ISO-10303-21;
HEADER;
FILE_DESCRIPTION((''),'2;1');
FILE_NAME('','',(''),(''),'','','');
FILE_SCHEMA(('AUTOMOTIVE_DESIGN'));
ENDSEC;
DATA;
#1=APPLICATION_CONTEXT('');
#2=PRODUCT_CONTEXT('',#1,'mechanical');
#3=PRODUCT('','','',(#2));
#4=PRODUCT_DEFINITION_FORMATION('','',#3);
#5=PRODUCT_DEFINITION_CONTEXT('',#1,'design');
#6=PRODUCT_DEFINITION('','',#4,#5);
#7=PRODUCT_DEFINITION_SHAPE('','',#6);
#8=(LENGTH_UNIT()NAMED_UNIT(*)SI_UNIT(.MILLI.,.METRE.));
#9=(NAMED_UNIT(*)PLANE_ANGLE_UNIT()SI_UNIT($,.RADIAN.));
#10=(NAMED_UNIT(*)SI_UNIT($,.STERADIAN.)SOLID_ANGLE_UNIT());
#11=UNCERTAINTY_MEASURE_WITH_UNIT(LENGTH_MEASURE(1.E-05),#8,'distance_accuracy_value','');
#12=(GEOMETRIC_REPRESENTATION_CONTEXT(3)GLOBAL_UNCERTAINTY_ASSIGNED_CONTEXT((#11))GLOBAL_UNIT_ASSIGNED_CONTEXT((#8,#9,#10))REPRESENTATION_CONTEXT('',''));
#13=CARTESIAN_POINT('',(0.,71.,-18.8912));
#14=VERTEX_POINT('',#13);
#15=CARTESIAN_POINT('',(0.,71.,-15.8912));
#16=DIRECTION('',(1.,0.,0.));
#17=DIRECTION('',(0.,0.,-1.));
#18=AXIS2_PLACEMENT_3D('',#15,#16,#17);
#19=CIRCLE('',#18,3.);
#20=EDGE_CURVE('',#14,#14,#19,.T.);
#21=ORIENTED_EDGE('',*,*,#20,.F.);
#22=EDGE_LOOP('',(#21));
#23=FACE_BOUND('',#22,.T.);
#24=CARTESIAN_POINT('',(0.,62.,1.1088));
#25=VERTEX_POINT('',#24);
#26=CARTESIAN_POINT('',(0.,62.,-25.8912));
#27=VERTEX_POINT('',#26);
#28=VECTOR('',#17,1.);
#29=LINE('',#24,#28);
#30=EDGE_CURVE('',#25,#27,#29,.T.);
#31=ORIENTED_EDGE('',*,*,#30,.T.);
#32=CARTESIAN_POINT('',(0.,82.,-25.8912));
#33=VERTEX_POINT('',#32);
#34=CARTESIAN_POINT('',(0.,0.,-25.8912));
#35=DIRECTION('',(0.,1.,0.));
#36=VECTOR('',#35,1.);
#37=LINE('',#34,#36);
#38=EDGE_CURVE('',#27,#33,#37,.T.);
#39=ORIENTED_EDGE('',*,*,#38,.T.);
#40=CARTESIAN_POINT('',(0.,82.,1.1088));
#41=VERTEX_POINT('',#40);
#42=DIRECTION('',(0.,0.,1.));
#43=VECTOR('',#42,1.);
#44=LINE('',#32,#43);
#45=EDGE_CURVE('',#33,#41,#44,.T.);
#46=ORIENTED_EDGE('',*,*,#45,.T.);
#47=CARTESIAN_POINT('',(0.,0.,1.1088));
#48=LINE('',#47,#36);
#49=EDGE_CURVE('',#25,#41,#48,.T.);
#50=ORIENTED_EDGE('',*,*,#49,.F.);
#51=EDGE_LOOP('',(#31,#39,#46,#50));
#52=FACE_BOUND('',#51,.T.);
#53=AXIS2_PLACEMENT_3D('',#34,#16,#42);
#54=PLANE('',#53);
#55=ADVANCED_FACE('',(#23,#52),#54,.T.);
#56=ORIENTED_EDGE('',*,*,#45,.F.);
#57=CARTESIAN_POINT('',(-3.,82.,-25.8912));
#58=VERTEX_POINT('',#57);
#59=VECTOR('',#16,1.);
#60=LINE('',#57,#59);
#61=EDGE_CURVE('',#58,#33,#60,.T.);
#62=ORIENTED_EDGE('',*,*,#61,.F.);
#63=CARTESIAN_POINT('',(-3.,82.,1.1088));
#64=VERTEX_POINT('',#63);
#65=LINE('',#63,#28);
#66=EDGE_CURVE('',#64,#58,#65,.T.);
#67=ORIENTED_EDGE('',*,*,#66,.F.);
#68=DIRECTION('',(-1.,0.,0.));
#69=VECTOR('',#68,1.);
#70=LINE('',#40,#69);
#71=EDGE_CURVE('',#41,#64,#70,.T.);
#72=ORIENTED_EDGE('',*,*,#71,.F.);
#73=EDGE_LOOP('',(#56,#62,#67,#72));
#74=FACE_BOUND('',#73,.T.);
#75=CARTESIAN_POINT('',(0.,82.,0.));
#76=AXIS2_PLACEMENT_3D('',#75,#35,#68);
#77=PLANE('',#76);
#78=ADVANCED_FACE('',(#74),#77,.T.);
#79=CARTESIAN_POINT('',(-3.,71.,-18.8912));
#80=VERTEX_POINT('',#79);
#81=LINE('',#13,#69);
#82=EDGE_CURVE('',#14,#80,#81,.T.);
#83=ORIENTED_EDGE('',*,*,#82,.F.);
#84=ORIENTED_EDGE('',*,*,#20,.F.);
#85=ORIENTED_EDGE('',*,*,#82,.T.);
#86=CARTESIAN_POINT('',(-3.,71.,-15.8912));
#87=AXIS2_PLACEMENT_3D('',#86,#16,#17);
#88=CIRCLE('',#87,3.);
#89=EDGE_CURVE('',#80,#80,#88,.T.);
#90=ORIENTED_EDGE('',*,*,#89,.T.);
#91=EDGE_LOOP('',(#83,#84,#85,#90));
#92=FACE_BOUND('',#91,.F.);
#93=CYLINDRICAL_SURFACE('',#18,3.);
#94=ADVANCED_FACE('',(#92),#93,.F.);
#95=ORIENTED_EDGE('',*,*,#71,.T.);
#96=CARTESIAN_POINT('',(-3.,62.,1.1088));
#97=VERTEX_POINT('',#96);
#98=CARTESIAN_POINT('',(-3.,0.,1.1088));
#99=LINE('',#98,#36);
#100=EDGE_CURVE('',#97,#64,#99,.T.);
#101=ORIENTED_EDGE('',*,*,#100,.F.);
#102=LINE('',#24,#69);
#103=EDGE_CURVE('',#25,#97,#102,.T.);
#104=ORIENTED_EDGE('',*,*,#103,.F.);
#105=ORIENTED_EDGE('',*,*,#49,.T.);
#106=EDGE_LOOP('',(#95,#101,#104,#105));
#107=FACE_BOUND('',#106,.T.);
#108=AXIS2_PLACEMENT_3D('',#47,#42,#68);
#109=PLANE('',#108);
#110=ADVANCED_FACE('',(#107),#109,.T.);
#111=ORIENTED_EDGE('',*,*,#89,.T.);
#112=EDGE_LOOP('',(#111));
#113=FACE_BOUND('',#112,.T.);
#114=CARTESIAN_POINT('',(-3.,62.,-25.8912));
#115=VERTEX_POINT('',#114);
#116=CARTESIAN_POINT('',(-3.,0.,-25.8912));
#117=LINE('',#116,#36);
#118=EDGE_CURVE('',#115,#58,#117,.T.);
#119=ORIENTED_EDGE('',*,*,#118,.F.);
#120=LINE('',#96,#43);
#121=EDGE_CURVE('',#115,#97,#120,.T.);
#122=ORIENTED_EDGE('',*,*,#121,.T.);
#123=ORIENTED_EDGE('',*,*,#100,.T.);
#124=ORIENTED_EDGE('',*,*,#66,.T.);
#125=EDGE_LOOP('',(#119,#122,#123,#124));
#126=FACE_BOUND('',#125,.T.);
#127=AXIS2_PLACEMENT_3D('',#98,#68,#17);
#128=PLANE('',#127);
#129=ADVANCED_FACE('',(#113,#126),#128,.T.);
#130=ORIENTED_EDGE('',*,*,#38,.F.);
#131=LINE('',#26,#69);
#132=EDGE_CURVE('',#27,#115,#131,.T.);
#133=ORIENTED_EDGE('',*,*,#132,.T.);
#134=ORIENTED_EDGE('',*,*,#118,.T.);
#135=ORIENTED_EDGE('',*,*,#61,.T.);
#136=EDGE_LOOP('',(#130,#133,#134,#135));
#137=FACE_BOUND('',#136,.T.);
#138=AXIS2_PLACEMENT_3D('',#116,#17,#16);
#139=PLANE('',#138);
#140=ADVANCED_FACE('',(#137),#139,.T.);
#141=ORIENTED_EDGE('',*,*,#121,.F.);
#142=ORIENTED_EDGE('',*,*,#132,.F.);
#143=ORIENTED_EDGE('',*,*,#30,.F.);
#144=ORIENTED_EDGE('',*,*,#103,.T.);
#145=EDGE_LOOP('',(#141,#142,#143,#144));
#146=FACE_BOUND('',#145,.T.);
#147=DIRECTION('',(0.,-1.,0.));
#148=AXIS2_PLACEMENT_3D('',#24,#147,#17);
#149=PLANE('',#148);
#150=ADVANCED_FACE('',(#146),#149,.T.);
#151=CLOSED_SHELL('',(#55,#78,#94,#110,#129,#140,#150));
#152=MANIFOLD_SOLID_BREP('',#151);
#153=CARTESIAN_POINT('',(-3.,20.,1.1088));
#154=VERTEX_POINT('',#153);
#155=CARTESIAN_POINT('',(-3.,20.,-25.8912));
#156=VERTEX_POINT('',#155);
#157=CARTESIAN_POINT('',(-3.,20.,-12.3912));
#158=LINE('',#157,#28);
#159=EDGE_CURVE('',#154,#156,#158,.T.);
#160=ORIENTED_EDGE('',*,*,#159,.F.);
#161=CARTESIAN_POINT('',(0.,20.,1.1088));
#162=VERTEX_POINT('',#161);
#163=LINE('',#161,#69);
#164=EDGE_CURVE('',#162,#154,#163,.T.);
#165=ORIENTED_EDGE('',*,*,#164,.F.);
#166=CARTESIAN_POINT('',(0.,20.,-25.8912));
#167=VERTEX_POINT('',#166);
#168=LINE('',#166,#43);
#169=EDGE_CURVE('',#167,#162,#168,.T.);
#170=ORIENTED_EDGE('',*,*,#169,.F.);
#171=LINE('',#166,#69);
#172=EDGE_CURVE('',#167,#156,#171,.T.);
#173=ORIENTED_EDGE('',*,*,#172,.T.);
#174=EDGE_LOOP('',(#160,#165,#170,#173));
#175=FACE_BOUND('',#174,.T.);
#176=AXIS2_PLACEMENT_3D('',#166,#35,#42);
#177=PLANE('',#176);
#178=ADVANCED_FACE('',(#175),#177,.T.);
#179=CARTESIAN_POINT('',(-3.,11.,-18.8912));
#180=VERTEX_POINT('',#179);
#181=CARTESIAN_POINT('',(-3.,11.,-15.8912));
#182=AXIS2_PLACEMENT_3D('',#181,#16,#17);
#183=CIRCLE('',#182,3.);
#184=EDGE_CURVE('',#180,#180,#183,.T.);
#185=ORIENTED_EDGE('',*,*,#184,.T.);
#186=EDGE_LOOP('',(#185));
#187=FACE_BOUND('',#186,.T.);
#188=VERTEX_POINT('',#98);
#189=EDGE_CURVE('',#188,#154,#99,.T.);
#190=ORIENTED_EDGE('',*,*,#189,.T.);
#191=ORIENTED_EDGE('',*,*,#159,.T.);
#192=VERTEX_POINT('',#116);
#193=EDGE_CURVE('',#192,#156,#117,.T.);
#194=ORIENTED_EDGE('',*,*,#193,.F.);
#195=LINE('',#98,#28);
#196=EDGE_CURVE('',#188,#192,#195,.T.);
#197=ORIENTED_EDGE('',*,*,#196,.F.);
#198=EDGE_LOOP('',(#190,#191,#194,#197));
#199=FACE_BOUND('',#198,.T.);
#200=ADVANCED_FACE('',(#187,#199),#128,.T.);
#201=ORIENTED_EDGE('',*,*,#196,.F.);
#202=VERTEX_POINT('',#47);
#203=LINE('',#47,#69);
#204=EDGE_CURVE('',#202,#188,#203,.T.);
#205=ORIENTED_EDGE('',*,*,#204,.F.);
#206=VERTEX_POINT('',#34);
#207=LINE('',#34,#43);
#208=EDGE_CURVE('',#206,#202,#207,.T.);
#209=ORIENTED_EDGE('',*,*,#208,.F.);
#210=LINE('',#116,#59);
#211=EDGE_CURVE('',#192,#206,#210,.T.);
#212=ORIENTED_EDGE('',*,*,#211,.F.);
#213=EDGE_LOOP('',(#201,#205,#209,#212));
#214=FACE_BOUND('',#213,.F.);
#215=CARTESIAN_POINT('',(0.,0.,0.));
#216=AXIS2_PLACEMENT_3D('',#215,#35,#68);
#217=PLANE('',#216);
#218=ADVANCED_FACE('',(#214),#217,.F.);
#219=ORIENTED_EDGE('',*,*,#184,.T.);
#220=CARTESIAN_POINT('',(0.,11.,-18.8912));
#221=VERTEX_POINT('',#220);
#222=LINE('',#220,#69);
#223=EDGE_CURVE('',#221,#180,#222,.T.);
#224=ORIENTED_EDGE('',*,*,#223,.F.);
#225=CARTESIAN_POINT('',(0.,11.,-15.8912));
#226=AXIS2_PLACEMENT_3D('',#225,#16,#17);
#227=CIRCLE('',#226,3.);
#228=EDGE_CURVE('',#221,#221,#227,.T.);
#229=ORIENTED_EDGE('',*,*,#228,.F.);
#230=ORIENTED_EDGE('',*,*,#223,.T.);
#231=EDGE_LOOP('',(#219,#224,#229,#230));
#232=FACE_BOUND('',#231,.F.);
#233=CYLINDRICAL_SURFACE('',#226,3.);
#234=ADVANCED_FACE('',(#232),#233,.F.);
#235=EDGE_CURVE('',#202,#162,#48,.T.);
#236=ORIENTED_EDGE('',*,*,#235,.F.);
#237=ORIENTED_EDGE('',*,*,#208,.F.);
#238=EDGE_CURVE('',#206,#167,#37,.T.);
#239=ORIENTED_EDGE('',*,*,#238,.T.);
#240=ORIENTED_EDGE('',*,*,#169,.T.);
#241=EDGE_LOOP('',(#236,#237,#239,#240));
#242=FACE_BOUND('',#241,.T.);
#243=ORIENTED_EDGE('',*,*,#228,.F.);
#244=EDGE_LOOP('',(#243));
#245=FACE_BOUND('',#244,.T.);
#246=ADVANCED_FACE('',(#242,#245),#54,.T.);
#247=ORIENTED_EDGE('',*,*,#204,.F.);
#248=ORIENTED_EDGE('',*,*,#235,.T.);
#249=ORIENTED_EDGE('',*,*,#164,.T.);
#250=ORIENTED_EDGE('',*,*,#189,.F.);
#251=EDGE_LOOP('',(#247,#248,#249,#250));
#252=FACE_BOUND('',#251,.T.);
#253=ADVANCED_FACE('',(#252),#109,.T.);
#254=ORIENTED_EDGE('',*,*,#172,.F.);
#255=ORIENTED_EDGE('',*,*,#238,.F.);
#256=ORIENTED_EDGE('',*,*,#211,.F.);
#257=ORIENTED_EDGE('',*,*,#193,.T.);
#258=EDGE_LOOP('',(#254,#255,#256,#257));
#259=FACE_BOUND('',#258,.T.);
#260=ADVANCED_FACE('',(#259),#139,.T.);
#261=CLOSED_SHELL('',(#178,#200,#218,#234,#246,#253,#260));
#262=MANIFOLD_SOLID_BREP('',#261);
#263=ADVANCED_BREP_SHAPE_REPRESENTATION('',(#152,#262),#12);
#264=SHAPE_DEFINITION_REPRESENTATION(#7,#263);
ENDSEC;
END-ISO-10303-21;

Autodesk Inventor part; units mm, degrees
ref_plane "YZ Plane" through (0, 0, 0) normal (1, 0, 0) x (0, 1, 0)
ref_plane "XZ Plane" through (0, 0, 0) normal (0, 1, 0) x (-1, 0, 0)
ref_plane "XY Plane" through (0, 0, 0) normal (0, 0, 1) x (1, 0, 0)
sketch "Esboço1" plane through (0, 0, 0) normal (0, 1, 0) x (-1, 0, 0)
  line L0 (0, 1.1088) -> (3, 1.1088)
  line L1 (3, 1.1088) -> (3, -25.8912)
  line L2 (3, -25.8912) -> (0, -25.8912)
  line L3 (0, -25.8912) -> (0, 1.1088)
  point P0 (0, 0)
  dimension "d0" = 3
  dimension "d1" = 27
extrude "Extrusão1" add sketch "Esboço1" along normal blind 82
sketch "Esboço2" plane through (0, 0, 1.1088) normal (1, 0, 0) x (0, 0, -1)
  line L0 (27, 0) -> (27, 82) projected
  line L1 (0, 0) -> (0, 82) projected
  line L2 (27, 20) -> (0, 20)
  line L3 (0, 20) -> (0, 62)
  line L4 (0, 62) -> (27, 62)
  line L5 (27, 62) -> (27, 20)
  line L6 (0, 82) -> (27, 82) projected
  point P0 (1.1088, 0)
  dimension "d4" = 42
  dimension "d5" = 20
extrude "Extrusão2" cut sketch "Esboço2" against normal blind 42 contours L2 L1 L4 L0
sketch "Esboço3" plane through (0, 82, 1.1088) normal (1, 0, 0) x (0, 0, -1)
  circle A0 centre (17, -11) radius 3
  circle A1 centre (17, -71) radius 3
  line L0 (0, -20) -> (27, -20) projected
  line L1 (27, -62) -> (0, -62) projected
  line L2 (27, -20) -> (27, 0) projected
  line L3 (27, -82) -> (27, -62) projected
  point P0 (1.1088, -82)
  dimension "d8" = 6
  dimension "d9" = 6
  dimension "d10" = 9
  dimension "d11" = 9
  dimension "d12" = 10
  dimension "d13" = 10
extrude "Extrusão3" cut sketch "Esboço3" against normal blind 42
properties part number "Fixador traseiro"
